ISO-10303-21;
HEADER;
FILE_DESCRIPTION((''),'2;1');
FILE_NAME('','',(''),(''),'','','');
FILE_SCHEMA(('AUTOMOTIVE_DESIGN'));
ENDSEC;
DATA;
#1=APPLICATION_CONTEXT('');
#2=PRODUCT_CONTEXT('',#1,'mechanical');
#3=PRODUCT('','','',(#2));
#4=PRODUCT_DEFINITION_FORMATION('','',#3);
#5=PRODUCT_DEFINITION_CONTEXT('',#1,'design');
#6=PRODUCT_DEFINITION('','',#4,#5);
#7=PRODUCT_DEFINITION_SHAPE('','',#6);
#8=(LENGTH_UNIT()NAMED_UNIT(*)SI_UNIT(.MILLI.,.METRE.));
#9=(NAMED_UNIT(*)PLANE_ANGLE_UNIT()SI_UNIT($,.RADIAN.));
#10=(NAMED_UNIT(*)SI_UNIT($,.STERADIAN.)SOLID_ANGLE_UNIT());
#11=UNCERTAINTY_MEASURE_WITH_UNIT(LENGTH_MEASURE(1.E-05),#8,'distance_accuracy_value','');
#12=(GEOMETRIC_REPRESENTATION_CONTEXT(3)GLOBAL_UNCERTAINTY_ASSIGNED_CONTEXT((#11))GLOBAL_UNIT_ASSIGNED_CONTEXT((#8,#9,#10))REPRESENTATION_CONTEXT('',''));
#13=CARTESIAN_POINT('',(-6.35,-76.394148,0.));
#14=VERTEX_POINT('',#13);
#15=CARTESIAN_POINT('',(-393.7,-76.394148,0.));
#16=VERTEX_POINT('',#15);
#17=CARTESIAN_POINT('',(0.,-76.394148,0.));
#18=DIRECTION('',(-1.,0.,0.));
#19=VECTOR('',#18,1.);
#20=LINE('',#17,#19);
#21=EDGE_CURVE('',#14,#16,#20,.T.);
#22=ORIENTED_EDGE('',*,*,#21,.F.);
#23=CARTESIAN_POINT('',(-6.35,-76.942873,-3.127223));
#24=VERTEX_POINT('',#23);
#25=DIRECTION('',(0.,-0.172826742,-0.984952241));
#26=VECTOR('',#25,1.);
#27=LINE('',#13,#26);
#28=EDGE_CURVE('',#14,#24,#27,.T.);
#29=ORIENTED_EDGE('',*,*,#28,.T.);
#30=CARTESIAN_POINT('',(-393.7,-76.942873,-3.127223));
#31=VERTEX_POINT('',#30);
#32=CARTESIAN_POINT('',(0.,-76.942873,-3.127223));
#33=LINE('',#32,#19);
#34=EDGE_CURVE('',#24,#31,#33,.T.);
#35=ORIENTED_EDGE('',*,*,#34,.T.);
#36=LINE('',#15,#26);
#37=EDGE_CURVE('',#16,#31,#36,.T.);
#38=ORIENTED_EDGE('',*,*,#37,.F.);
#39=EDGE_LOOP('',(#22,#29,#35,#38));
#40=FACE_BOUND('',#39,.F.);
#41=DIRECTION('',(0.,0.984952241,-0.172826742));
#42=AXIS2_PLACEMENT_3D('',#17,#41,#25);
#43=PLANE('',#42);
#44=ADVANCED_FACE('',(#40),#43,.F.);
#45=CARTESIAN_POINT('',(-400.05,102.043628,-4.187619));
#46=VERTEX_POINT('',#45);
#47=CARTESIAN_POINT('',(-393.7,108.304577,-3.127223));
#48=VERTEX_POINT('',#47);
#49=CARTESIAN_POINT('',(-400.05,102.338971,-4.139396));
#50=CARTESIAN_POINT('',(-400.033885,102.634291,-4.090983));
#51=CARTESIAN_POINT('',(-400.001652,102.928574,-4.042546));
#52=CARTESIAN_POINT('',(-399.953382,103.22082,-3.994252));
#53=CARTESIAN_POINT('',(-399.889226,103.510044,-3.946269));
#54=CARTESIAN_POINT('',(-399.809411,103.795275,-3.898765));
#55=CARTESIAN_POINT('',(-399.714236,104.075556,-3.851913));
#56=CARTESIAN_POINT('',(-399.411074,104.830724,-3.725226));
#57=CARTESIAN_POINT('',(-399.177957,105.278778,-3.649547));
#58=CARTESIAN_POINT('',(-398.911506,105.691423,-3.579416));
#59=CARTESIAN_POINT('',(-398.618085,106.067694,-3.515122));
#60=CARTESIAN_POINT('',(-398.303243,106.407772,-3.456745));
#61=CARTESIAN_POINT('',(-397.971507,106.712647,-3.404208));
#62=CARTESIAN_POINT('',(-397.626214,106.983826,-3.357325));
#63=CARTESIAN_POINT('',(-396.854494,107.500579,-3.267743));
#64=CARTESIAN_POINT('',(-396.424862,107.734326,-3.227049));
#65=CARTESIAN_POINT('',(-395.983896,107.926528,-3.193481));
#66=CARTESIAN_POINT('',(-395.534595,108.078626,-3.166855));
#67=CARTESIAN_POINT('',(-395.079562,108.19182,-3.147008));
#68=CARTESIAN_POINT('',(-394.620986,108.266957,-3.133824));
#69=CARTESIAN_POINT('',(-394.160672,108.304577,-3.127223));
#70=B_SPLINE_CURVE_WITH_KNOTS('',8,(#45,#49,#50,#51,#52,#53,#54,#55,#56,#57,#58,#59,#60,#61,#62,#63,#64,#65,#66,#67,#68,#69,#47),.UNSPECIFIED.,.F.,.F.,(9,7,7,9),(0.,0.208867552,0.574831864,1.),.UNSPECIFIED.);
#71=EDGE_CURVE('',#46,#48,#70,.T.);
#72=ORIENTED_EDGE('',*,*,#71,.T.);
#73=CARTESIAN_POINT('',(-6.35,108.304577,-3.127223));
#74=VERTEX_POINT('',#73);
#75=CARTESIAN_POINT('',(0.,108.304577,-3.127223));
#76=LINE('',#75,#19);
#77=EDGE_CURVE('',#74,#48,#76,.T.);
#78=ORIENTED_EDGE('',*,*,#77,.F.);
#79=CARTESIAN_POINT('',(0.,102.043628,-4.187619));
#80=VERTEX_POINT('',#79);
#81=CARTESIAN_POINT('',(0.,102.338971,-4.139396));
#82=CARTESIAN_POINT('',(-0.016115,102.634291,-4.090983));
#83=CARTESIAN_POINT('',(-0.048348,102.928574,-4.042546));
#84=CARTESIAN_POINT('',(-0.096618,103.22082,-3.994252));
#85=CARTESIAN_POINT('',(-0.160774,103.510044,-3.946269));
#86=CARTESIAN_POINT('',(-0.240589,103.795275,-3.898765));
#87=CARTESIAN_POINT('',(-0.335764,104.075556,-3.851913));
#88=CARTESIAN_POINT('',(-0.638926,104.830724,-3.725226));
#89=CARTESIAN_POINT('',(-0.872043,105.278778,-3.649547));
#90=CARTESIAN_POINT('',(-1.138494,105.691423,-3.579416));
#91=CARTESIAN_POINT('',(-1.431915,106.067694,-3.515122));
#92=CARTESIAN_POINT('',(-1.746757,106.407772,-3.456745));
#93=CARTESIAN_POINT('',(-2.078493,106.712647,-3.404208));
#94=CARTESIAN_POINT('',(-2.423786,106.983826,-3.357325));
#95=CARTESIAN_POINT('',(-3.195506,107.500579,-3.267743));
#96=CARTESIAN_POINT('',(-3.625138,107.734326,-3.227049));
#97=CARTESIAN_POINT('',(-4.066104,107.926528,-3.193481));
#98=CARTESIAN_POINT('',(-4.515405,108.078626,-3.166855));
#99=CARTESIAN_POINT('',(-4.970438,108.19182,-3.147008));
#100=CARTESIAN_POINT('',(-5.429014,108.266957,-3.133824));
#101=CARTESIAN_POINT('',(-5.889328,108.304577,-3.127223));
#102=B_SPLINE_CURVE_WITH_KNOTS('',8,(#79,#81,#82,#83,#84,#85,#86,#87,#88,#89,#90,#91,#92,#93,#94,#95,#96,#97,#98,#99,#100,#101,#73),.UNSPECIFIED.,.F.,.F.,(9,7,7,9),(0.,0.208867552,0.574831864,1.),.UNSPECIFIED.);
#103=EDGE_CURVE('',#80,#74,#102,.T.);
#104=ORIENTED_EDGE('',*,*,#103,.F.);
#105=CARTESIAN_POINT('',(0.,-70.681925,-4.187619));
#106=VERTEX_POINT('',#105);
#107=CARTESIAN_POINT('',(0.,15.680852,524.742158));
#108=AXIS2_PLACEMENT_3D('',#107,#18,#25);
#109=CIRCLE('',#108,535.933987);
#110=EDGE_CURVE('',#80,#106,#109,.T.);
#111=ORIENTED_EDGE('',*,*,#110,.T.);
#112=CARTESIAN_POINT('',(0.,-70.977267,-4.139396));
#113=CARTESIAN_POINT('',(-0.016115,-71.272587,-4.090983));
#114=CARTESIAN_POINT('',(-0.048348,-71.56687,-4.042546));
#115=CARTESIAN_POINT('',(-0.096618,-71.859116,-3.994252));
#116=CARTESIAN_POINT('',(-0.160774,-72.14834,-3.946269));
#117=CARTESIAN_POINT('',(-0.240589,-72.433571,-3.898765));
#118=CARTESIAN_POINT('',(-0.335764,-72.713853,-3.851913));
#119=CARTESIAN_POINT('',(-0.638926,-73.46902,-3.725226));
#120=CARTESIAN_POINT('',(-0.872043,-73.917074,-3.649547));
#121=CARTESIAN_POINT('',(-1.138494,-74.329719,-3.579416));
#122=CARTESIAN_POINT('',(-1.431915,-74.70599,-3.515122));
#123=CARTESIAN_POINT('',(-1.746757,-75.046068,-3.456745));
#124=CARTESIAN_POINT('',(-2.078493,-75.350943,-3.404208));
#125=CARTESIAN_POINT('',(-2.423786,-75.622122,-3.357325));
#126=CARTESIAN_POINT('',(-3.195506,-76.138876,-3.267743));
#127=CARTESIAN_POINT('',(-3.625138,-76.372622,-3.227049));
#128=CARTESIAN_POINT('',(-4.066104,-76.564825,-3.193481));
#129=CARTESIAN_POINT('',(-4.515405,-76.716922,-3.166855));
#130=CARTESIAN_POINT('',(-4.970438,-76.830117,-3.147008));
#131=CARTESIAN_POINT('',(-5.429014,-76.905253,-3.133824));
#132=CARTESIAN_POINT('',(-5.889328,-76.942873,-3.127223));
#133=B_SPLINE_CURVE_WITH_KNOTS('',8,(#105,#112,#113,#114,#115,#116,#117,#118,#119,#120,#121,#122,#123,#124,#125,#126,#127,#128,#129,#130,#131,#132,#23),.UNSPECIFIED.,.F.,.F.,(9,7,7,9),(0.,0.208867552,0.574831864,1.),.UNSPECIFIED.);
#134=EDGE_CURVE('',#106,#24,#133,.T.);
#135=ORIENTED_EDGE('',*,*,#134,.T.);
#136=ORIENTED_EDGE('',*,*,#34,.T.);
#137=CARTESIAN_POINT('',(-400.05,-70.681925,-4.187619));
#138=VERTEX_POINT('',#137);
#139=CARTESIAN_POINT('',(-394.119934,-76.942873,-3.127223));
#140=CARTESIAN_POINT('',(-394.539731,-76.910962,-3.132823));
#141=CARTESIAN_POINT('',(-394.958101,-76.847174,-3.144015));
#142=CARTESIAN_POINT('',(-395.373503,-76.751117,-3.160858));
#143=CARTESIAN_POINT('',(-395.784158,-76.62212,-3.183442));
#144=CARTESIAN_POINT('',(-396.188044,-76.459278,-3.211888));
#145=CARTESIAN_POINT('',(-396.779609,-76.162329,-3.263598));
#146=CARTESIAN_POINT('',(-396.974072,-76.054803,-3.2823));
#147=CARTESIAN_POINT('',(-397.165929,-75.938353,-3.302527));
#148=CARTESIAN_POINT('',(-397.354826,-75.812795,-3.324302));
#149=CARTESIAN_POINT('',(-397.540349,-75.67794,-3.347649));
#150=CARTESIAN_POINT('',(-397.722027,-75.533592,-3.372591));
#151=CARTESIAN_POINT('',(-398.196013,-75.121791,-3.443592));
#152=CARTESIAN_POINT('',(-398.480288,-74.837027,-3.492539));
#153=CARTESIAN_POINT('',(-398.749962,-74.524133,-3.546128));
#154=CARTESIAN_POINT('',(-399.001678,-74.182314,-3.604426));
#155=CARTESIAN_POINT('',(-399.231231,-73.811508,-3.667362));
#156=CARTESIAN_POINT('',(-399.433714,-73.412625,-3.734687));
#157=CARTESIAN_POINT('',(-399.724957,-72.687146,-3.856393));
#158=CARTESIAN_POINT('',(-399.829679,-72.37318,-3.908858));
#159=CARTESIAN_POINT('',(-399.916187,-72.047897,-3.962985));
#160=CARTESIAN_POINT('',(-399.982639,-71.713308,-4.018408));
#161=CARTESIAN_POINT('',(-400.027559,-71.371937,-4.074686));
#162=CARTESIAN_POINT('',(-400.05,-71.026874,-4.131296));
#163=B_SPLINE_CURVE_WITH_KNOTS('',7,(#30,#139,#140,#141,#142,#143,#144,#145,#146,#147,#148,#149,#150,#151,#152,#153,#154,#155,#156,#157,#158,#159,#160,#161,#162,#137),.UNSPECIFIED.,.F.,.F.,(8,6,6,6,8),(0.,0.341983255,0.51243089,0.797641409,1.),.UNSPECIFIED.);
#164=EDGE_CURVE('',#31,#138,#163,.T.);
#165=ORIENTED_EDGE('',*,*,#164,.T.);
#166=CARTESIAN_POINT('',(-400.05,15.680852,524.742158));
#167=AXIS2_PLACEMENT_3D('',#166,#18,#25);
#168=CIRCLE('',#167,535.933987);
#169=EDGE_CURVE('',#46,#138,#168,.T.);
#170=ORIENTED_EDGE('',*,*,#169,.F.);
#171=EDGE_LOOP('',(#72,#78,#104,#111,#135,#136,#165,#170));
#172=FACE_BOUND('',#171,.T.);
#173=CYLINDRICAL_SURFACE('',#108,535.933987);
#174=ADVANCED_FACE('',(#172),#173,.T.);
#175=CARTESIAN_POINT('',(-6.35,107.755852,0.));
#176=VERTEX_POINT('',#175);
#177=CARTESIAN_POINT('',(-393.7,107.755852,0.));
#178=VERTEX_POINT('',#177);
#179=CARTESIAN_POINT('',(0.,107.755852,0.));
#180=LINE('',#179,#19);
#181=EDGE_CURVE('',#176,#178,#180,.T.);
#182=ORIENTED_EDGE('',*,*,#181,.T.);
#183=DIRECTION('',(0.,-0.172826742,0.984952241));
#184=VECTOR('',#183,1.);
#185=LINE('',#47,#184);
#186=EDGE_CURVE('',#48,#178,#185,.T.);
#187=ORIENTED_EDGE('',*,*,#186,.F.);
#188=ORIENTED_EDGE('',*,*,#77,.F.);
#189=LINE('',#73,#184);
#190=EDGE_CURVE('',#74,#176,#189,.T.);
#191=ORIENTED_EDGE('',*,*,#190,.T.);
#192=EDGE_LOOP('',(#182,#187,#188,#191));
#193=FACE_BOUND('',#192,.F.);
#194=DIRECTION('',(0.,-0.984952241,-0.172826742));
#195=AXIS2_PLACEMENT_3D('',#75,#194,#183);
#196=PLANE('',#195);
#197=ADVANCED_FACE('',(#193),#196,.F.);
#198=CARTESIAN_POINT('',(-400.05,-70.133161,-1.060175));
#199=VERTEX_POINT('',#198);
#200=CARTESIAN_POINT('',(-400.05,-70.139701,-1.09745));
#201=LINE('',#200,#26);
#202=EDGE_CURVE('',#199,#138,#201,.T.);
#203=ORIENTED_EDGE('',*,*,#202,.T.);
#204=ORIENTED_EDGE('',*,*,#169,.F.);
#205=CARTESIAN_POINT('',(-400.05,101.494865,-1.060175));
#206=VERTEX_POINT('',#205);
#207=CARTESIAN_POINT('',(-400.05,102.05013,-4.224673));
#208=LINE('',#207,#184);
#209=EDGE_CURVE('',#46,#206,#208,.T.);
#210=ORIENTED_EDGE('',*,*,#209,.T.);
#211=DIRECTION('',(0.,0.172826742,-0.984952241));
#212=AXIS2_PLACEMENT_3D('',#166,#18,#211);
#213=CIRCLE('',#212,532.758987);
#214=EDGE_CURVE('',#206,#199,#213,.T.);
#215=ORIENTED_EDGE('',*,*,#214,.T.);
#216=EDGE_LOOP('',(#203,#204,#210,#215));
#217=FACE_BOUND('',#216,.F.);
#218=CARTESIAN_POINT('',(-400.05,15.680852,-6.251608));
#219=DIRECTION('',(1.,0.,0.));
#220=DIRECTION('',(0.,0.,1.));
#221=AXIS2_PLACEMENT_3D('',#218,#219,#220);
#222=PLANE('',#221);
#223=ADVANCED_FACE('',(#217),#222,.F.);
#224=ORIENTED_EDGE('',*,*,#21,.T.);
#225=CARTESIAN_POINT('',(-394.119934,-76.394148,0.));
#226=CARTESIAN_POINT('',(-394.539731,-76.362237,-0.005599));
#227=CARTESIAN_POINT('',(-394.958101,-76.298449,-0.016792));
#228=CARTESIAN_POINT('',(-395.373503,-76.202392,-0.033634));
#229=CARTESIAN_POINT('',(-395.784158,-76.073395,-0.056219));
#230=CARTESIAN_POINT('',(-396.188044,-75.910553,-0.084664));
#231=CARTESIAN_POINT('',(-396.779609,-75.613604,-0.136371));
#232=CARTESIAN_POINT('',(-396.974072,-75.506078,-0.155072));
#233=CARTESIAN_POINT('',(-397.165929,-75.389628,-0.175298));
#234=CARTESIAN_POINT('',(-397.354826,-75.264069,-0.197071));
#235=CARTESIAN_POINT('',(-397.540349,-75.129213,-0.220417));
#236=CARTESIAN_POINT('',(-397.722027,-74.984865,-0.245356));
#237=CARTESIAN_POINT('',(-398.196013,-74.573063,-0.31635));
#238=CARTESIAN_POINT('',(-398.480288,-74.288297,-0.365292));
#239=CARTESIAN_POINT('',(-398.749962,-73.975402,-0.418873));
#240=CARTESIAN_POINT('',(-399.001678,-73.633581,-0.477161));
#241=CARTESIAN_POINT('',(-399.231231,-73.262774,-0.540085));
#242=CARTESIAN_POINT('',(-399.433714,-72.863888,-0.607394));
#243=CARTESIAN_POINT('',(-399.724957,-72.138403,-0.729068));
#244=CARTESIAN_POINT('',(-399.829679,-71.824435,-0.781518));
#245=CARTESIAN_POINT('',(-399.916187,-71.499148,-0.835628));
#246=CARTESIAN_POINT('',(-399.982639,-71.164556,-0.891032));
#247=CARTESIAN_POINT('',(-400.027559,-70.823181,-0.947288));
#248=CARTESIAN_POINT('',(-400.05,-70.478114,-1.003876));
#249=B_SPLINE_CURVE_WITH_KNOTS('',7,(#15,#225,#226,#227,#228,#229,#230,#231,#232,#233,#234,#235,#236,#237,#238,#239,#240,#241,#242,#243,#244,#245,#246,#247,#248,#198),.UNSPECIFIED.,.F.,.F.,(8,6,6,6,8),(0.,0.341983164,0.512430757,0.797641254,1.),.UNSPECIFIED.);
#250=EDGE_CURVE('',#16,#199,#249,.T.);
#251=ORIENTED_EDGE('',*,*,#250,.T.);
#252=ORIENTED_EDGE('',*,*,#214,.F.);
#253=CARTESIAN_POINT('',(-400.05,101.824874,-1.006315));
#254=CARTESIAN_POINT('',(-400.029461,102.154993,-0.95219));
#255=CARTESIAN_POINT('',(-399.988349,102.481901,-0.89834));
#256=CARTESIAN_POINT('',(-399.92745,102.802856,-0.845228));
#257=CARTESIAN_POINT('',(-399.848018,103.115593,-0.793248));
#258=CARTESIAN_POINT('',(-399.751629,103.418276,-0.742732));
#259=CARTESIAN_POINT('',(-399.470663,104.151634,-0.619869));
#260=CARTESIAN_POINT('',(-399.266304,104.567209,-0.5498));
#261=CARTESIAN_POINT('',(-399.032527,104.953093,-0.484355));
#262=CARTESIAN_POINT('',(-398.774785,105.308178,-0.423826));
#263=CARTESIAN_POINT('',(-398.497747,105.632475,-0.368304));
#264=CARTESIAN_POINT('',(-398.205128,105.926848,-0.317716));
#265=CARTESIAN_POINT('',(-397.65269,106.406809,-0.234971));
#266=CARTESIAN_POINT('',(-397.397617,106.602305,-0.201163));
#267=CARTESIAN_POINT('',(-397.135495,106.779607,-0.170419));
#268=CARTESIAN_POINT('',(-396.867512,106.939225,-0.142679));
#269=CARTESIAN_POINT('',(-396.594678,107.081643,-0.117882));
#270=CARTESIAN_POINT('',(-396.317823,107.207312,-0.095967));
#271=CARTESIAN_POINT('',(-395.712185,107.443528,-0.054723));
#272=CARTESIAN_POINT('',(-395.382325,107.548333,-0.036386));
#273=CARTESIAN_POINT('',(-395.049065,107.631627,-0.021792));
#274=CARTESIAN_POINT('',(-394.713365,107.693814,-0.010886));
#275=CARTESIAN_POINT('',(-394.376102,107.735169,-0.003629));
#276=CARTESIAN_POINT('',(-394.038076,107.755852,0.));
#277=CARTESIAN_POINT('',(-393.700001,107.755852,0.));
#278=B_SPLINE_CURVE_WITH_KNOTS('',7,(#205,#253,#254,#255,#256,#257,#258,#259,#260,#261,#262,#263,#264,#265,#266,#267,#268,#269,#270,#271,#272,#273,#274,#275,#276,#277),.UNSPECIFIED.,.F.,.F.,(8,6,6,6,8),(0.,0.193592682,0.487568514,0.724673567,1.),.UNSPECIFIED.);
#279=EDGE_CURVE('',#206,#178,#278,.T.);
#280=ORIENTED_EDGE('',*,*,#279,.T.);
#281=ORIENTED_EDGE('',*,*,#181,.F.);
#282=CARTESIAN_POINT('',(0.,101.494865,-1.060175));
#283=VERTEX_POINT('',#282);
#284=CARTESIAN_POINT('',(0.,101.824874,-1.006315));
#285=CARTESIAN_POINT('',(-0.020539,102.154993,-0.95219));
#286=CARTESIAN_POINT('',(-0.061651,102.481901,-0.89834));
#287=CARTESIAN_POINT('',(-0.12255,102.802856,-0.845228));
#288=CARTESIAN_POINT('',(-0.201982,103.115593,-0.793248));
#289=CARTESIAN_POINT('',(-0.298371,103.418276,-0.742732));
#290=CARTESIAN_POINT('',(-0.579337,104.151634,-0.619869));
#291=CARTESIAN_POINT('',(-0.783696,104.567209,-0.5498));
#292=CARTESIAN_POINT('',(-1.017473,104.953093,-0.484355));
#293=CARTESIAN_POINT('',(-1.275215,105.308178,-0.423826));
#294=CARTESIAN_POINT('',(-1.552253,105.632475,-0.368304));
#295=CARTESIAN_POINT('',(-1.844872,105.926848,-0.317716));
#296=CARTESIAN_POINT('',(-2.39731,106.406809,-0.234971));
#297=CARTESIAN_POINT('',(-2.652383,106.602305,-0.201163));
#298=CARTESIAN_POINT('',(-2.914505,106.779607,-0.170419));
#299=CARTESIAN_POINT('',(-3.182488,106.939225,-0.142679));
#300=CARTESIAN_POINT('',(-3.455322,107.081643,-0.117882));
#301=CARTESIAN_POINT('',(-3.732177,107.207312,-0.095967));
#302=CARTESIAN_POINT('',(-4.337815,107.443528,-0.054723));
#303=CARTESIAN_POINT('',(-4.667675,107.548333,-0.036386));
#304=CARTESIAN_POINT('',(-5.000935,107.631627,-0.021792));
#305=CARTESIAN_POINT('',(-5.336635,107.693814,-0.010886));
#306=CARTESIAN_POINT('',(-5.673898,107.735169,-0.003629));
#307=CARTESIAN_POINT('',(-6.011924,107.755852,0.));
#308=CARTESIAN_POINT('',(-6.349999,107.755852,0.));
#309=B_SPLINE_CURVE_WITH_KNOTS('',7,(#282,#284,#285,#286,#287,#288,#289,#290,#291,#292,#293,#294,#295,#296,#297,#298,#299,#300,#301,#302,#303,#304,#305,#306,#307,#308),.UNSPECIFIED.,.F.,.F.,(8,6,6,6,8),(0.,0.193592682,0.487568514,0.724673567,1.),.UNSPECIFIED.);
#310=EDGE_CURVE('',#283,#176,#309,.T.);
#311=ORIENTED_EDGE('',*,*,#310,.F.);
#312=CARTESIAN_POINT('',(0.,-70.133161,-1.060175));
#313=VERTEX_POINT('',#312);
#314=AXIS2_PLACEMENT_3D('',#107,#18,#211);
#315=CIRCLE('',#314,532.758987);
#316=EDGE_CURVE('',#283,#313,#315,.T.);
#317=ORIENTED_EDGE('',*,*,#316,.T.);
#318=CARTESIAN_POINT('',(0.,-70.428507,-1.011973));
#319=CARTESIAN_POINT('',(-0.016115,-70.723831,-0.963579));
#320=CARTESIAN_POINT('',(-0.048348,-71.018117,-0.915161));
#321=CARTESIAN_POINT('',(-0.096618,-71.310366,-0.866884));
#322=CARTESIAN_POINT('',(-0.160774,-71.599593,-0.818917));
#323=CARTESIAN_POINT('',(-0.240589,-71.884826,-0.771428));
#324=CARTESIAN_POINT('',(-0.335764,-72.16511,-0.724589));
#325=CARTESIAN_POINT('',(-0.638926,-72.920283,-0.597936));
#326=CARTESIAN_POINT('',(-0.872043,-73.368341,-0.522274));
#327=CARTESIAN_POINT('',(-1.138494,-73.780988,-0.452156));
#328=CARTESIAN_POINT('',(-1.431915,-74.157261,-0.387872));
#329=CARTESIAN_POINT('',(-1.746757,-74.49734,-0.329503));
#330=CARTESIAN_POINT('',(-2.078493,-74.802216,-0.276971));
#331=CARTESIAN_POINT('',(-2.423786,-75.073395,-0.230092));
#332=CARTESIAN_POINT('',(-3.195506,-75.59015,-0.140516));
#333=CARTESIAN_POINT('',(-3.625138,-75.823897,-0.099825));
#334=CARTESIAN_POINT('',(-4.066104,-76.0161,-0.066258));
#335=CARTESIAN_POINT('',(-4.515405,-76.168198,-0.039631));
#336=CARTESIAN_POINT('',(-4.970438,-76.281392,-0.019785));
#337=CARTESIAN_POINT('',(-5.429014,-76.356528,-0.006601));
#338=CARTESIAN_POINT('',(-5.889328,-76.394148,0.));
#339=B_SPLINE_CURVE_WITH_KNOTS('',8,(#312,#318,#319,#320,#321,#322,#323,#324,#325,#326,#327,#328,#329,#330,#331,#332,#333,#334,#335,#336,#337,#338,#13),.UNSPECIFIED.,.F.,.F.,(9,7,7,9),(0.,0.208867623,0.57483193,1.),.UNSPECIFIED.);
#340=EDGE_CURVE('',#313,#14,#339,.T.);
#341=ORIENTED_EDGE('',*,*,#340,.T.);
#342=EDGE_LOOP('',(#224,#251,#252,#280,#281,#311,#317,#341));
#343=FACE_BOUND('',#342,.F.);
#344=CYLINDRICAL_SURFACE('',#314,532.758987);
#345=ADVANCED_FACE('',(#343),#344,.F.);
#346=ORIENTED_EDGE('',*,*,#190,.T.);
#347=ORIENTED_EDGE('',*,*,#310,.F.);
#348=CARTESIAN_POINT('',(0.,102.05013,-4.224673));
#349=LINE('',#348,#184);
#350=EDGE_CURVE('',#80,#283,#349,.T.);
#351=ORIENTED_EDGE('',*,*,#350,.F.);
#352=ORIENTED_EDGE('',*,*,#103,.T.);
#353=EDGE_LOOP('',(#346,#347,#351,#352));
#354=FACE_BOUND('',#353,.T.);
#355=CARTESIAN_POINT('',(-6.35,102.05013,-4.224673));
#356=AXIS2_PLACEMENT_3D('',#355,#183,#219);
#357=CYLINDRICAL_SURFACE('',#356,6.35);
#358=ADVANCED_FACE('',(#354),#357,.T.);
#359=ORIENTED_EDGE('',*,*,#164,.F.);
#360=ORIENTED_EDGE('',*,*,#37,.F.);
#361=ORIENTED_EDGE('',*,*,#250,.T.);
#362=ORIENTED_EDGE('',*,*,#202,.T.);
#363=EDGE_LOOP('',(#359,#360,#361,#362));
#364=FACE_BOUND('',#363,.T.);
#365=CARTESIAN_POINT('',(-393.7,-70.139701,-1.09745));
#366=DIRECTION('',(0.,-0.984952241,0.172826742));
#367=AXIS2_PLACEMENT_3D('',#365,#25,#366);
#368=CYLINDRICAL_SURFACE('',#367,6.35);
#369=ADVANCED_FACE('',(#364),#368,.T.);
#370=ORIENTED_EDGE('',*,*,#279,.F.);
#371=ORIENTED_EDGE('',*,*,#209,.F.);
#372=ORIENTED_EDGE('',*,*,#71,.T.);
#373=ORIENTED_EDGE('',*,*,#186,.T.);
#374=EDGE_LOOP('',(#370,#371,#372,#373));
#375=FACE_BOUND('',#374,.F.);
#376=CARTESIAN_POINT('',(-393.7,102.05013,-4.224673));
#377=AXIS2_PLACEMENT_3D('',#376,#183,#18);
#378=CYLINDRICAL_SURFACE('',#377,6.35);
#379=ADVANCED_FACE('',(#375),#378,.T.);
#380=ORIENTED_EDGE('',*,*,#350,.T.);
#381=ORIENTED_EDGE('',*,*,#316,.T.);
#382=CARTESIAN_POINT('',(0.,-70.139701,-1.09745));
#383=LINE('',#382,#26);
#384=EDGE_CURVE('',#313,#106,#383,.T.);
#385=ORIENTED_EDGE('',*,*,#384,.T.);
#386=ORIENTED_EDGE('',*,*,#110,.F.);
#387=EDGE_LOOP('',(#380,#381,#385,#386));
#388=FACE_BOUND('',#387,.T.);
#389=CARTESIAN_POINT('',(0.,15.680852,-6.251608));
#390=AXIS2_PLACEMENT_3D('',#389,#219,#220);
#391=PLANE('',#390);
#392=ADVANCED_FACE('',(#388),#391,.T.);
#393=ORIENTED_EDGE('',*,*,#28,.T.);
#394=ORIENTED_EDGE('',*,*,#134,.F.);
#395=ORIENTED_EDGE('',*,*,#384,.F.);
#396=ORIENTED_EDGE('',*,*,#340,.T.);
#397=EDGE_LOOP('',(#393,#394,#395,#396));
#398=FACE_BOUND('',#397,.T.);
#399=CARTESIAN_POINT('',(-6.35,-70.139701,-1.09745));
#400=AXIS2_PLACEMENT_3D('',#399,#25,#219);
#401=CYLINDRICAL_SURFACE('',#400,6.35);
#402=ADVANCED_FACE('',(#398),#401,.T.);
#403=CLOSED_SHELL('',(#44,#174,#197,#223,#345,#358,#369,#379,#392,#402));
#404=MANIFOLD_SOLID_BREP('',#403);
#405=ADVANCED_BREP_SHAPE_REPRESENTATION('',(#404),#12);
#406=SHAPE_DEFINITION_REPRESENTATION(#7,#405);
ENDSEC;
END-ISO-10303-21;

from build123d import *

# Parameters (mm, degrees)
F3_R = 6.35
F4_R = 6.35
F5_R = 6.35


with BuildPart() as f2:
    # F2: sweep along a path in F1
    with BuildLine(Plane.XZ) as f2_path:
        Line((0, 0), (-400.05, 0))
    # F0 (on Right) → F2 (sweep)
    with BuildSketch(Plane.YZ):
        with BuildLine():
            ThreePointArc((107.7558518291, 0), (15.6808518291, -8.0168287935), (-76.3941481709, 0))
            Line((-76.3941481709, 0), (-76.9428730772, -3.1272233654))
            ThreePointArc((-76.9428730772, -3.1272233654), (15.6808518291, -11.1918287935), (108.3045767353, -3.1272233654))
            Line((108.3045767353, -3.1272233654), (107.7558518291, 0))
        make_face()
    sweep(path=f2_path.line)

    # F3
    f3_edges = [f2.edges().sort_by_distance(p)[0] for p in [
        (-400.05, -76.668511, -1.563612),
    ]]
    fillet(f3_edges, radius=F3_R)

    # F4
    f4_edges = [f2.edges().sort_by_distance(p)[0] for p in [
        (-400.05, 108.030214, -1.563612),
        (0, 108.030214, -1.563612),
    ]]
    fillet(f4_edges, radius=F4_R)

    # F5
    f5_edges = [f2.edges().sort_by_distance(p)[0] for p in [
        (0, -76.668511, -1.563612),
    ]]
    fillet(f5_edges, radius=F5_R)


solid = f2.part
